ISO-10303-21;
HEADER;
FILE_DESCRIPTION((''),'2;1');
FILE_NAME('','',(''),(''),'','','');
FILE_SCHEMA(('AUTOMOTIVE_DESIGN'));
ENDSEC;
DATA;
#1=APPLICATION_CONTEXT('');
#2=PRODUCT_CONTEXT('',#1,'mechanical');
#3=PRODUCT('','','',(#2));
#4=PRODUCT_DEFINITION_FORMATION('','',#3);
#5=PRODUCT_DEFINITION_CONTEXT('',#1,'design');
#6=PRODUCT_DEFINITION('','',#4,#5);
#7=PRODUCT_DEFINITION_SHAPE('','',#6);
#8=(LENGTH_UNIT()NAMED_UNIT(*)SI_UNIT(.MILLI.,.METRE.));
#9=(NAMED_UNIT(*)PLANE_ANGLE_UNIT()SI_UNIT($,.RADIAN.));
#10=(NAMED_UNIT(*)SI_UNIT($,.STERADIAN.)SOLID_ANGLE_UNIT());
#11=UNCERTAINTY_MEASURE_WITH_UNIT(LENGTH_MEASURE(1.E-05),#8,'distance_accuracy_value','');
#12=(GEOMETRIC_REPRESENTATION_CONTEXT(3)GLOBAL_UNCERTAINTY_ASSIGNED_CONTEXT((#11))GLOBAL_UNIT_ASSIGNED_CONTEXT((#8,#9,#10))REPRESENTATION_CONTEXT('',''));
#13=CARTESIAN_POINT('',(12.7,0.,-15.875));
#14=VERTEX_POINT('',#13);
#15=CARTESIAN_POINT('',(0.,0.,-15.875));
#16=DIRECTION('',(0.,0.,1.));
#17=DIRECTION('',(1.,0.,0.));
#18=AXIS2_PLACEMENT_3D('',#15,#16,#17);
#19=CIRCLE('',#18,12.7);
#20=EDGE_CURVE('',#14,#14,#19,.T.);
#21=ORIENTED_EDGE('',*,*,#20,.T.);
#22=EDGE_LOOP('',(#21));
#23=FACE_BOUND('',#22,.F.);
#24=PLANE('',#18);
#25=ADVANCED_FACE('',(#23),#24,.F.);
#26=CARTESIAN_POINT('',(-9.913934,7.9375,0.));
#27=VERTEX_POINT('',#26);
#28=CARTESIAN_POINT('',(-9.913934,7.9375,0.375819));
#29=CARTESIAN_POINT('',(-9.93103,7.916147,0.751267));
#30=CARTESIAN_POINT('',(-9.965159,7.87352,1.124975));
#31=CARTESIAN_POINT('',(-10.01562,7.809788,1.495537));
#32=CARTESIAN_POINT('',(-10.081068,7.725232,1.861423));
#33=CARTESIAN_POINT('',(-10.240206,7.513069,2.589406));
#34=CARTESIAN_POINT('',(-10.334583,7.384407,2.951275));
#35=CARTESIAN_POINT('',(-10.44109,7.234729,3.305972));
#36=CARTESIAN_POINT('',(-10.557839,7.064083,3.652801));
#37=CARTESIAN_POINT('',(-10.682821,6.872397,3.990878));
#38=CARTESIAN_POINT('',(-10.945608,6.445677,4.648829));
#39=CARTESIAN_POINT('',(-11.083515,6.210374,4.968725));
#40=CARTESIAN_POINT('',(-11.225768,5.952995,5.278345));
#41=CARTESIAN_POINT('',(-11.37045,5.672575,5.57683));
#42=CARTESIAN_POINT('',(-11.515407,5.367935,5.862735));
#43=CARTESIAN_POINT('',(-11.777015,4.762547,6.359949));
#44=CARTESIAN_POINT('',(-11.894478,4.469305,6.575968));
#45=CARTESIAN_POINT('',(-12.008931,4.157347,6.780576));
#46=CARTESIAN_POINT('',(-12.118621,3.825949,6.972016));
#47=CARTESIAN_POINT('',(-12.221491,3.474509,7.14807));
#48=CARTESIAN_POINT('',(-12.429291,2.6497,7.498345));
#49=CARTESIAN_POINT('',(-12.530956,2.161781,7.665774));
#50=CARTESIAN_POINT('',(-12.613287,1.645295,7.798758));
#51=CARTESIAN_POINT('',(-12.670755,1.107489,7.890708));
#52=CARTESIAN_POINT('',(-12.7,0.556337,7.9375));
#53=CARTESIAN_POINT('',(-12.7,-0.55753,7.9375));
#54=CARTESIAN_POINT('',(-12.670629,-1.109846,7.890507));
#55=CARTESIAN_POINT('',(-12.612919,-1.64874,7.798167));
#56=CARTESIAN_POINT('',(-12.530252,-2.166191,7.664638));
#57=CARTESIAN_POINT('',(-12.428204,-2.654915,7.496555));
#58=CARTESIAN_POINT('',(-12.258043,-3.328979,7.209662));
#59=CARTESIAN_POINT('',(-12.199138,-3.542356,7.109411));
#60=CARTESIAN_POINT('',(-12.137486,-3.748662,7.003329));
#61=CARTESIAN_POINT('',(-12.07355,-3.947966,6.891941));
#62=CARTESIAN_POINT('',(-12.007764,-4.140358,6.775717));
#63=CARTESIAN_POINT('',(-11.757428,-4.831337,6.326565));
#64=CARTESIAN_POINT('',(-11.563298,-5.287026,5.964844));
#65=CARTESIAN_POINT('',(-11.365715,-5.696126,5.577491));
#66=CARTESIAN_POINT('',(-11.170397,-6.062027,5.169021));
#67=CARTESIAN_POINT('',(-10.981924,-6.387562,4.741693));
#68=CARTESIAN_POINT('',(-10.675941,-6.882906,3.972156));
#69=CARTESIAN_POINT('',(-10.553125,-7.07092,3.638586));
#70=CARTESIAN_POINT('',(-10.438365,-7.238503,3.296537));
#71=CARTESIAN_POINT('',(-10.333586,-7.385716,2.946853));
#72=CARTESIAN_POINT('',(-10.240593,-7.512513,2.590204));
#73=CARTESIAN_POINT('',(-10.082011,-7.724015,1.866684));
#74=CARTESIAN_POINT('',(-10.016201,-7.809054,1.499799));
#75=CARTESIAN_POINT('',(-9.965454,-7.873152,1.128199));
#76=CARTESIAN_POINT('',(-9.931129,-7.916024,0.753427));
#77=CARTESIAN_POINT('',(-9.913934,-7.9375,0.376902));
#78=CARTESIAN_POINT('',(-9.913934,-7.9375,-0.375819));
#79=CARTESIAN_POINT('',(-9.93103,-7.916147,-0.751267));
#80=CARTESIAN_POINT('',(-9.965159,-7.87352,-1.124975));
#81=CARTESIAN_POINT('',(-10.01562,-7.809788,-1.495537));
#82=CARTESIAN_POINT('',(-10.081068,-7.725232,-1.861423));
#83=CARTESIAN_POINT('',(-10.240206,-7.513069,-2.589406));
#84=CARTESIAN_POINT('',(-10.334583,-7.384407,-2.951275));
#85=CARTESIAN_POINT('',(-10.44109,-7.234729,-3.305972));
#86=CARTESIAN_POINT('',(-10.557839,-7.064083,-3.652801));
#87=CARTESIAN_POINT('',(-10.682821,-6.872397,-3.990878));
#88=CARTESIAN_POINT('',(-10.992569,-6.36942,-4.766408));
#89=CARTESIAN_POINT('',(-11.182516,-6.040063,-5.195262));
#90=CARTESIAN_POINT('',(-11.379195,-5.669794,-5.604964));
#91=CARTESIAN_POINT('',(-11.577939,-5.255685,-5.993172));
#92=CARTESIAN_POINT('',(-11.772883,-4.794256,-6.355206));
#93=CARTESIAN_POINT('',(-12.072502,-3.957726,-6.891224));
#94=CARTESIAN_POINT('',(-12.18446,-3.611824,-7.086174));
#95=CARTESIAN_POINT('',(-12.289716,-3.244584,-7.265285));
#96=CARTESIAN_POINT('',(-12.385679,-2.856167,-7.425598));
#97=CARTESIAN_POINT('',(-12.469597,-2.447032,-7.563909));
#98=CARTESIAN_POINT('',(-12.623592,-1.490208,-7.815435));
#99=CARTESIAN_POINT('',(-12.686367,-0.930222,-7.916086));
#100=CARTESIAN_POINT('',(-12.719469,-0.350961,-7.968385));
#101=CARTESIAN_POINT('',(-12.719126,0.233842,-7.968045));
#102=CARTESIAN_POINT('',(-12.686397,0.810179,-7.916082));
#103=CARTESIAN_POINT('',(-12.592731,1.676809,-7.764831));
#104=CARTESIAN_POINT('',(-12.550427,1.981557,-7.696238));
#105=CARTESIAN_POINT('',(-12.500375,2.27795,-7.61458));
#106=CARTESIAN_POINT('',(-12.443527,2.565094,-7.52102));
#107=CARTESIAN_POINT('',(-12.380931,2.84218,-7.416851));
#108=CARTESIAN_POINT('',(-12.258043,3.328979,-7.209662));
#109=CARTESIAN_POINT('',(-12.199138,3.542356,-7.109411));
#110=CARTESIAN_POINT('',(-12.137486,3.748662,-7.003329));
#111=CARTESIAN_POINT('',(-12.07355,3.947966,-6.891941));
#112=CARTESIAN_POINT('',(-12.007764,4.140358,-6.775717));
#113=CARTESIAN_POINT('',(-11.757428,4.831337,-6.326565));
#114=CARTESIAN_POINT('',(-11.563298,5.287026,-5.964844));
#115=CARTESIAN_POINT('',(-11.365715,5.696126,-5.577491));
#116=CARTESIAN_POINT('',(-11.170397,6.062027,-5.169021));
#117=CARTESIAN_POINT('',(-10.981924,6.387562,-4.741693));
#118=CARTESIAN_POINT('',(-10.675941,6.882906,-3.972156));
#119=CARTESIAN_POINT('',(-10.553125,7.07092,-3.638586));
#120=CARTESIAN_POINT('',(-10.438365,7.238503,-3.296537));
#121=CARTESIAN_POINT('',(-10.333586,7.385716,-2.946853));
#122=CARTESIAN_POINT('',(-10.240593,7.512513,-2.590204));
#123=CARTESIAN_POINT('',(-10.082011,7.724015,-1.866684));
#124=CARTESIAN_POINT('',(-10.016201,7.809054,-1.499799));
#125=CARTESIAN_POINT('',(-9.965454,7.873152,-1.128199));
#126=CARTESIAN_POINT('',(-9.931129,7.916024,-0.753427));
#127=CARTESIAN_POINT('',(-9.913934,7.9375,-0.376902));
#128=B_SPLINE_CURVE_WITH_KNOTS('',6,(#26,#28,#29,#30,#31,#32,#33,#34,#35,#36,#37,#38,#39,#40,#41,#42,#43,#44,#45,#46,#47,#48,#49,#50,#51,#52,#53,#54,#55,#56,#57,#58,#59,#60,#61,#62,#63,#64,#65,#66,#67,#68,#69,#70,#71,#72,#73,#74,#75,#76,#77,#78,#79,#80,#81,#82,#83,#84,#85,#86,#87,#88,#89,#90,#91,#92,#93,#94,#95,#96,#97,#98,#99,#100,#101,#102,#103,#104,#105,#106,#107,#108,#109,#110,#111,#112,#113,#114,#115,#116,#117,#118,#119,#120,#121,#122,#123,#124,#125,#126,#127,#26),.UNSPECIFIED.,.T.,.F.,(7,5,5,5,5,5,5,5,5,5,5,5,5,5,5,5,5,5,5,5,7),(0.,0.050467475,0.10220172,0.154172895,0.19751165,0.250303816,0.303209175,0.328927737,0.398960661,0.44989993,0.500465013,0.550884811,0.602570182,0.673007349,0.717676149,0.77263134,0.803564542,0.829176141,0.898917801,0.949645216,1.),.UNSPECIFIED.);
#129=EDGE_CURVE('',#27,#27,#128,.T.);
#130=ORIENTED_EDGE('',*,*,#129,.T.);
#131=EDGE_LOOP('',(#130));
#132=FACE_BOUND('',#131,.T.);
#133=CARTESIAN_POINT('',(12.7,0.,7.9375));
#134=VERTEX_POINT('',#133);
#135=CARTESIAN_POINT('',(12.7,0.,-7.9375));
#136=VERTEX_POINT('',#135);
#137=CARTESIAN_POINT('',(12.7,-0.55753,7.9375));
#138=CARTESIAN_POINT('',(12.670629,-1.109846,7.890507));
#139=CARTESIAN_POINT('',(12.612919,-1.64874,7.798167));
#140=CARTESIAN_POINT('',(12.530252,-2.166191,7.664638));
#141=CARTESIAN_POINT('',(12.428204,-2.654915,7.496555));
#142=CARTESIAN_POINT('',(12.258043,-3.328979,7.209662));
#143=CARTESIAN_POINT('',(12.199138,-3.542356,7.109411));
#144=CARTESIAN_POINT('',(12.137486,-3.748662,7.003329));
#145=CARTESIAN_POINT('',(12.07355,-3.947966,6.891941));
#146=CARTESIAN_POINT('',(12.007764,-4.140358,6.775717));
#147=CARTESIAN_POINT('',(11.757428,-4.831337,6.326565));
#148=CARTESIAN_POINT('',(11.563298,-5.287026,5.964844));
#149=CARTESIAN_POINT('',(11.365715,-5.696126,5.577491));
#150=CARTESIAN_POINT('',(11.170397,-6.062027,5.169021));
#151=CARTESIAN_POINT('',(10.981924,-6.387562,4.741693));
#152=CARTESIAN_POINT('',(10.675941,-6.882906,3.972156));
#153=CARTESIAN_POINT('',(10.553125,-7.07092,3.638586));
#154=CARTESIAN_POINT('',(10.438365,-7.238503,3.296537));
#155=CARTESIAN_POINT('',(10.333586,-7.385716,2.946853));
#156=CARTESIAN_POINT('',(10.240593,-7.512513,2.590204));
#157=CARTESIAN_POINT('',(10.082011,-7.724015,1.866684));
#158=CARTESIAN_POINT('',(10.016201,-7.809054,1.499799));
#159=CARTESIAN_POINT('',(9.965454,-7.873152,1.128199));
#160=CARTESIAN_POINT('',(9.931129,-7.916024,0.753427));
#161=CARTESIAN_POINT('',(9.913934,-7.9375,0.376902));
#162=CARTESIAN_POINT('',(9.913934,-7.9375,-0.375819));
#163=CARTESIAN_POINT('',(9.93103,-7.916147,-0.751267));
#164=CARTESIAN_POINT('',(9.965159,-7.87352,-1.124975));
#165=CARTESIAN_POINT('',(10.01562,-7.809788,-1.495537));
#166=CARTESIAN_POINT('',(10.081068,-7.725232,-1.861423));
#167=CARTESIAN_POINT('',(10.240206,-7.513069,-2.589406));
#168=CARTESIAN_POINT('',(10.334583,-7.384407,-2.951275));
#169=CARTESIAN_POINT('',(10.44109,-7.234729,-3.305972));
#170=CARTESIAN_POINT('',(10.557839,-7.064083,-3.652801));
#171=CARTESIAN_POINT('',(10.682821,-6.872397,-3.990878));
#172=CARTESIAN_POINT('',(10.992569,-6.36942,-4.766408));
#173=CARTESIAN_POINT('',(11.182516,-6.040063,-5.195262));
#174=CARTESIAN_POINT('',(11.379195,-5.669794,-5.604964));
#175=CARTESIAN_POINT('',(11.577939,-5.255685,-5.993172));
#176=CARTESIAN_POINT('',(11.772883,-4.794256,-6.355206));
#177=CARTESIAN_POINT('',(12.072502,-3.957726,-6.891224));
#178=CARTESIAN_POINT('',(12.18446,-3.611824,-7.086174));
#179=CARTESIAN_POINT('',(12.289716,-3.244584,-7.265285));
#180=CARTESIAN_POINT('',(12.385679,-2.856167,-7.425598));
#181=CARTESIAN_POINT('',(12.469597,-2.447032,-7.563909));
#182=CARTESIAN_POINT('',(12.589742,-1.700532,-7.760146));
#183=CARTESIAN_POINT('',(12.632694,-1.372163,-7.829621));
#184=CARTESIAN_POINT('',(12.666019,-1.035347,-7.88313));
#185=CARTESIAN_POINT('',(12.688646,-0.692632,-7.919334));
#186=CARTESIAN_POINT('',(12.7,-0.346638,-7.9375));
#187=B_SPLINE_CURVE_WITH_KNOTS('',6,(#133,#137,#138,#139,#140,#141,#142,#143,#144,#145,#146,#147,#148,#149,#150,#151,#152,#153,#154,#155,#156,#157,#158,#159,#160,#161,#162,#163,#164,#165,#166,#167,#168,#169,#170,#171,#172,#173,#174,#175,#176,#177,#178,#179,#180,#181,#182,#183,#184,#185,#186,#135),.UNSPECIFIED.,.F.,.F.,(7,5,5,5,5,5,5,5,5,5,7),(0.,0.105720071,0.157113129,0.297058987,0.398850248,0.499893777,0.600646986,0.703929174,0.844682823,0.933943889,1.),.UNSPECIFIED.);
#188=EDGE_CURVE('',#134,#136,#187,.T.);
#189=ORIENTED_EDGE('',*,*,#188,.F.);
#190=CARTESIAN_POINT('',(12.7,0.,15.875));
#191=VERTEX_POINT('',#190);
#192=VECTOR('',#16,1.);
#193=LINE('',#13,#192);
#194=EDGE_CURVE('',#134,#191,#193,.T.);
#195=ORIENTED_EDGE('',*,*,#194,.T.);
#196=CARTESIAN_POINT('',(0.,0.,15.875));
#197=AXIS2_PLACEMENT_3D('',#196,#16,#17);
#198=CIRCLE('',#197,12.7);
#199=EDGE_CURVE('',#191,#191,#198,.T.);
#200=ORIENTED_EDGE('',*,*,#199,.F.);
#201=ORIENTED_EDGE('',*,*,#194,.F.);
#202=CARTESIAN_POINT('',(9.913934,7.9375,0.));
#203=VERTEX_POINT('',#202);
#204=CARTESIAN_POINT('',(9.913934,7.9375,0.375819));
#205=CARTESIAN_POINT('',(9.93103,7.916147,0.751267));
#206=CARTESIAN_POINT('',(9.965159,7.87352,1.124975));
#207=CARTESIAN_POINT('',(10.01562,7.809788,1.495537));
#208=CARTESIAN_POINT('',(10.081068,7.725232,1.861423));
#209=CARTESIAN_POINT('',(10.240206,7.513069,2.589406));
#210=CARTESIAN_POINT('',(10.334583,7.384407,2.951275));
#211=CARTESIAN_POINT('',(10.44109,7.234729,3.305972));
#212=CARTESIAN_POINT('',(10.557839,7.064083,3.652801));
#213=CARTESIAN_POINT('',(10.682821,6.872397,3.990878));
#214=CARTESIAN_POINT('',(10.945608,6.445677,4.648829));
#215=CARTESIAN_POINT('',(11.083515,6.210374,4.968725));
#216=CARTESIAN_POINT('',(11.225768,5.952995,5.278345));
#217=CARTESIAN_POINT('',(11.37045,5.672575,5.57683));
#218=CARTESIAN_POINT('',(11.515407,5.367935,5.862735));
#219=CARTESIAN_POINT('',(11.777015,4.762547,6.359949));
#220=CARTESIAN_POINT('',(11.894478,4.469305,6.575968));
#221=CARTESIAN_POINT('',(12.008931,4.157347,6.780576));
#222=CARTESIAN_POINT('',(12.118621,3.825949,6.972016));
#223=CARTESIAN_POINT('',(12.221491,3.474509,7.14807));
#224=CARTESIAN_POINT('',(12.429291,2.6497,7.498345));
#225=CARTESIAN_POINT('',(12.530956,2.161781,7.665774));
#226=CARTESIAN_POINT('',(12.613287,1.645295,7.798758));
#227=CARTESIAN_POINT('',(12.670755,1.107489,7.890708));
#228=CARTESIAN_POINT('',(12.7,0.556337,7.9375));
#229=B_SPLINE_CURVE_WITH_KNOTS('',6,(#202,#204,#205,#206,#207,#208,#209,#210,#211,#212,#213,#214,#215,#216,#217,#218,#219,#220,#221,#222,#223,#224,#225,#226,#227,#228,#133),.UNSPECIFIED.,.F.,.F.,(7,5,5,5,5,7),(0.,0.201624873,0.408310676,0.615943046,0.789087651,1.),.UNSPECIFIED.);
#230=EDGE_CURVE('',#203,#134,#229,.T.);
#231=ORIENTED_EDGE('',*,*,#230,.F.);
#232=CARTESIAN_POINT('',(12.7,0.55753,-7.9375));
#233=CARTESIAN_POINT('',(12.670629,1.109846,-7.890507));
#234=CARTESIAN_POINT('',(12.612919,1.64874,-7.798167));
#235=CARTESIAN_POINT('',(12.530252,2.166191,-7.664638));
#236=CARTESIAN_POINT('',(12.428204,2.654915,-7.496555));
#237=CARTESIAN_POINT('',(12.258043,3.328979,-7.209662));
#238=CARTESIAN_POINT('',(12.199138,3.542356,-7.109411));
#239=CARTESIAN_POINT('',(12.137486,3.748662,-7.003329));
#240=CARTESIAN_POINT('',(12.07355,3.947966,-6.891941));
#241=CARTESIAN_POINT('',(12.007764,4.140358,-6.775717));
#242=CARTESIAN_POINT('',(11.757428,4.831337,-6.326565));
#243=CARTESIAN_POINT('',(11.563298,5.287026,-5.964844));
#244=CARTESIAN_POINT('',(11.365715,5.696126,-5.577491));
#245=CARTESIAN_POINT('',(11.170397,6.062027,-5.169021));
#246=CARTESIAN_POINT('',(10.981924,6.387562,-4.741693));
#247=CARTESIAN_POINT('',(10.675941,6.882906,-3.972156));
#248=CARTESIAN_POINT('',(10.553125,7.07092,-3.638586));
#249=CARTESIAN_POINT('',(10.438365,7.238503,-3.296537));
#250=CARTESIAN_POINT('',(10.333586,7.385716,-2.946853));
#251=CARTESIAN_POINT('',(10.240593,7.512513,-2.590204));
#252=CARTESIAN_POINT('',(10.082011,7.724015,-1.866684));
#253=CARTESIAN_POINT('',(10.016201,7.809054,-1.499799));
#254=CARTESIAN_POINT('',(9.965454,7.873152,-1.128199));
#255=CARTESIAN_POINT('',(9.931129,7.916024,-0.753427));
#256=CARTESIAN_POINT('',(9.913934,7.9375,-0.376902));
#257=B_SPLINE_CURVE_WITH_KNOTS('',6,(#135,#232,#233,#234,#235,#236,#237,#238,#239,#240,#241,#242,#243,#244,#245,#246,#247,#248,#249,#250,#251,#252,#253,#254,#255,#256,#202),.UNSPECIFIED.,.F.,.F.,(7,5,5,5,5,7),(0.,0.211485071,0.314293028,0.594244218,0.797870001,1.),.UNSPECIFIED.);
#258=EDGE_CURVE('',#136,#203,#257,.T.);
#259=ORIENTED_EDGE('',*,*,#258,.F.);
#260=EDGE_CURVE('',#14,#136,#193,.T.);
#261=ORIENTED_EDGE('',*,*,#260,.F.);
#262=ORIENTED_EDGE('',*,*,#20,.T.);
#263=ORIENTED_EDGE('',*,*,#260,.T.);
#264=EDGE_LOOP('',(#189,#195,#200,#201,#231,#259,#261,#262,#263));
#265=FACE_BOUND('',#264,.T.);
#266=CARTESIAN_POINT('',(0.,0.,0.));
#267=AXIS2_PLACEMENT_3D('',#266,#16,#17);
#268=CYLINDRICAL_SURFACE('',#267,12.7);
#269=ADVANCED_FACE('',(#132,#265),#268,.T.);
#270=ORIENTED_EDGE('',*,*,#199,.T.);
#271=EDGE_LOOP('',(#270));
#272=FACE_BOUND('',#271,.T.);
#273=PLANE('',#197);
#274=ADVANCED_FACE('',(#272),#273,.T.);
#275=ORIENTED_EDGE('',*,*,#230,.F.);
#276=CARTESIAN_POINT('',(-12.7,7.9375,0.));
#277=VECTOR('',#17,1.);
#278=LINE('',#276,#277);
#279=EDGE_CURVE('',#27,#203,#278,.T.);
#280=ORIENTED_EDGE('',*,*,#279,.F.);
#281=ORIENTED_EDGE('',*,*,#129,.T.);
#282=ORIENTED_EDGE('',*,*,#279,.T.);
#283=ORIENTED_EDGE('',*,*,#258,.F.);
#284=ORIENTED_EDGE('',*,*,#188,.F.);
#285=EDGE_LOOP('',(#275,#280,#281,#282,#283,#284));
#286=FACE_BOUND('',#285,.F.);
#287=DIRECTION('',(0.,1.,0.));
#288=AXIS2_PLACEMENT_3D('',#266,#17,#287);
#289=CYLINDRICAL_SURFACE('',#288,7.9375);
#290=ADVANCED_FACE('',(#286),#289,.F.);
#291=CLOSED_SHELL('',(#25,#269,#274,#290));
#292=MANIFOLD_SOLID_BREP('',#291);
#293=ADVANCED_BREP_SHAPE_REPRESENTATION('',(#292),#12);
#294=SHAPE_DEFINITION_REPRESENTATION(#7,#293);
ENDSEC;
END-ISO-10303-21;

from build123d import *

# Parameters (mm, degrees)
F0_R     = 12.7
F1_DEPTH = 15.875
F2_R     = 7.9375
F3_DEPTH = 12.7


with BuildPart() as f1:
    # F0 (on Top) → F1 (new body, symmetric)
    with BuildSketch(Plane.XY):
        Circle(F0_R)
    extrude(amount=F1_DEPTH, both=True)

    # F2 (on Right) → F3 (cut, symmetric)
    with BuildSketch(Plane.YZ):
        Circle(F2_R)
    extrude(amount=F3_DEPTH, both=True, mode=Mode.SUBTRACT)


solid = f1.part
